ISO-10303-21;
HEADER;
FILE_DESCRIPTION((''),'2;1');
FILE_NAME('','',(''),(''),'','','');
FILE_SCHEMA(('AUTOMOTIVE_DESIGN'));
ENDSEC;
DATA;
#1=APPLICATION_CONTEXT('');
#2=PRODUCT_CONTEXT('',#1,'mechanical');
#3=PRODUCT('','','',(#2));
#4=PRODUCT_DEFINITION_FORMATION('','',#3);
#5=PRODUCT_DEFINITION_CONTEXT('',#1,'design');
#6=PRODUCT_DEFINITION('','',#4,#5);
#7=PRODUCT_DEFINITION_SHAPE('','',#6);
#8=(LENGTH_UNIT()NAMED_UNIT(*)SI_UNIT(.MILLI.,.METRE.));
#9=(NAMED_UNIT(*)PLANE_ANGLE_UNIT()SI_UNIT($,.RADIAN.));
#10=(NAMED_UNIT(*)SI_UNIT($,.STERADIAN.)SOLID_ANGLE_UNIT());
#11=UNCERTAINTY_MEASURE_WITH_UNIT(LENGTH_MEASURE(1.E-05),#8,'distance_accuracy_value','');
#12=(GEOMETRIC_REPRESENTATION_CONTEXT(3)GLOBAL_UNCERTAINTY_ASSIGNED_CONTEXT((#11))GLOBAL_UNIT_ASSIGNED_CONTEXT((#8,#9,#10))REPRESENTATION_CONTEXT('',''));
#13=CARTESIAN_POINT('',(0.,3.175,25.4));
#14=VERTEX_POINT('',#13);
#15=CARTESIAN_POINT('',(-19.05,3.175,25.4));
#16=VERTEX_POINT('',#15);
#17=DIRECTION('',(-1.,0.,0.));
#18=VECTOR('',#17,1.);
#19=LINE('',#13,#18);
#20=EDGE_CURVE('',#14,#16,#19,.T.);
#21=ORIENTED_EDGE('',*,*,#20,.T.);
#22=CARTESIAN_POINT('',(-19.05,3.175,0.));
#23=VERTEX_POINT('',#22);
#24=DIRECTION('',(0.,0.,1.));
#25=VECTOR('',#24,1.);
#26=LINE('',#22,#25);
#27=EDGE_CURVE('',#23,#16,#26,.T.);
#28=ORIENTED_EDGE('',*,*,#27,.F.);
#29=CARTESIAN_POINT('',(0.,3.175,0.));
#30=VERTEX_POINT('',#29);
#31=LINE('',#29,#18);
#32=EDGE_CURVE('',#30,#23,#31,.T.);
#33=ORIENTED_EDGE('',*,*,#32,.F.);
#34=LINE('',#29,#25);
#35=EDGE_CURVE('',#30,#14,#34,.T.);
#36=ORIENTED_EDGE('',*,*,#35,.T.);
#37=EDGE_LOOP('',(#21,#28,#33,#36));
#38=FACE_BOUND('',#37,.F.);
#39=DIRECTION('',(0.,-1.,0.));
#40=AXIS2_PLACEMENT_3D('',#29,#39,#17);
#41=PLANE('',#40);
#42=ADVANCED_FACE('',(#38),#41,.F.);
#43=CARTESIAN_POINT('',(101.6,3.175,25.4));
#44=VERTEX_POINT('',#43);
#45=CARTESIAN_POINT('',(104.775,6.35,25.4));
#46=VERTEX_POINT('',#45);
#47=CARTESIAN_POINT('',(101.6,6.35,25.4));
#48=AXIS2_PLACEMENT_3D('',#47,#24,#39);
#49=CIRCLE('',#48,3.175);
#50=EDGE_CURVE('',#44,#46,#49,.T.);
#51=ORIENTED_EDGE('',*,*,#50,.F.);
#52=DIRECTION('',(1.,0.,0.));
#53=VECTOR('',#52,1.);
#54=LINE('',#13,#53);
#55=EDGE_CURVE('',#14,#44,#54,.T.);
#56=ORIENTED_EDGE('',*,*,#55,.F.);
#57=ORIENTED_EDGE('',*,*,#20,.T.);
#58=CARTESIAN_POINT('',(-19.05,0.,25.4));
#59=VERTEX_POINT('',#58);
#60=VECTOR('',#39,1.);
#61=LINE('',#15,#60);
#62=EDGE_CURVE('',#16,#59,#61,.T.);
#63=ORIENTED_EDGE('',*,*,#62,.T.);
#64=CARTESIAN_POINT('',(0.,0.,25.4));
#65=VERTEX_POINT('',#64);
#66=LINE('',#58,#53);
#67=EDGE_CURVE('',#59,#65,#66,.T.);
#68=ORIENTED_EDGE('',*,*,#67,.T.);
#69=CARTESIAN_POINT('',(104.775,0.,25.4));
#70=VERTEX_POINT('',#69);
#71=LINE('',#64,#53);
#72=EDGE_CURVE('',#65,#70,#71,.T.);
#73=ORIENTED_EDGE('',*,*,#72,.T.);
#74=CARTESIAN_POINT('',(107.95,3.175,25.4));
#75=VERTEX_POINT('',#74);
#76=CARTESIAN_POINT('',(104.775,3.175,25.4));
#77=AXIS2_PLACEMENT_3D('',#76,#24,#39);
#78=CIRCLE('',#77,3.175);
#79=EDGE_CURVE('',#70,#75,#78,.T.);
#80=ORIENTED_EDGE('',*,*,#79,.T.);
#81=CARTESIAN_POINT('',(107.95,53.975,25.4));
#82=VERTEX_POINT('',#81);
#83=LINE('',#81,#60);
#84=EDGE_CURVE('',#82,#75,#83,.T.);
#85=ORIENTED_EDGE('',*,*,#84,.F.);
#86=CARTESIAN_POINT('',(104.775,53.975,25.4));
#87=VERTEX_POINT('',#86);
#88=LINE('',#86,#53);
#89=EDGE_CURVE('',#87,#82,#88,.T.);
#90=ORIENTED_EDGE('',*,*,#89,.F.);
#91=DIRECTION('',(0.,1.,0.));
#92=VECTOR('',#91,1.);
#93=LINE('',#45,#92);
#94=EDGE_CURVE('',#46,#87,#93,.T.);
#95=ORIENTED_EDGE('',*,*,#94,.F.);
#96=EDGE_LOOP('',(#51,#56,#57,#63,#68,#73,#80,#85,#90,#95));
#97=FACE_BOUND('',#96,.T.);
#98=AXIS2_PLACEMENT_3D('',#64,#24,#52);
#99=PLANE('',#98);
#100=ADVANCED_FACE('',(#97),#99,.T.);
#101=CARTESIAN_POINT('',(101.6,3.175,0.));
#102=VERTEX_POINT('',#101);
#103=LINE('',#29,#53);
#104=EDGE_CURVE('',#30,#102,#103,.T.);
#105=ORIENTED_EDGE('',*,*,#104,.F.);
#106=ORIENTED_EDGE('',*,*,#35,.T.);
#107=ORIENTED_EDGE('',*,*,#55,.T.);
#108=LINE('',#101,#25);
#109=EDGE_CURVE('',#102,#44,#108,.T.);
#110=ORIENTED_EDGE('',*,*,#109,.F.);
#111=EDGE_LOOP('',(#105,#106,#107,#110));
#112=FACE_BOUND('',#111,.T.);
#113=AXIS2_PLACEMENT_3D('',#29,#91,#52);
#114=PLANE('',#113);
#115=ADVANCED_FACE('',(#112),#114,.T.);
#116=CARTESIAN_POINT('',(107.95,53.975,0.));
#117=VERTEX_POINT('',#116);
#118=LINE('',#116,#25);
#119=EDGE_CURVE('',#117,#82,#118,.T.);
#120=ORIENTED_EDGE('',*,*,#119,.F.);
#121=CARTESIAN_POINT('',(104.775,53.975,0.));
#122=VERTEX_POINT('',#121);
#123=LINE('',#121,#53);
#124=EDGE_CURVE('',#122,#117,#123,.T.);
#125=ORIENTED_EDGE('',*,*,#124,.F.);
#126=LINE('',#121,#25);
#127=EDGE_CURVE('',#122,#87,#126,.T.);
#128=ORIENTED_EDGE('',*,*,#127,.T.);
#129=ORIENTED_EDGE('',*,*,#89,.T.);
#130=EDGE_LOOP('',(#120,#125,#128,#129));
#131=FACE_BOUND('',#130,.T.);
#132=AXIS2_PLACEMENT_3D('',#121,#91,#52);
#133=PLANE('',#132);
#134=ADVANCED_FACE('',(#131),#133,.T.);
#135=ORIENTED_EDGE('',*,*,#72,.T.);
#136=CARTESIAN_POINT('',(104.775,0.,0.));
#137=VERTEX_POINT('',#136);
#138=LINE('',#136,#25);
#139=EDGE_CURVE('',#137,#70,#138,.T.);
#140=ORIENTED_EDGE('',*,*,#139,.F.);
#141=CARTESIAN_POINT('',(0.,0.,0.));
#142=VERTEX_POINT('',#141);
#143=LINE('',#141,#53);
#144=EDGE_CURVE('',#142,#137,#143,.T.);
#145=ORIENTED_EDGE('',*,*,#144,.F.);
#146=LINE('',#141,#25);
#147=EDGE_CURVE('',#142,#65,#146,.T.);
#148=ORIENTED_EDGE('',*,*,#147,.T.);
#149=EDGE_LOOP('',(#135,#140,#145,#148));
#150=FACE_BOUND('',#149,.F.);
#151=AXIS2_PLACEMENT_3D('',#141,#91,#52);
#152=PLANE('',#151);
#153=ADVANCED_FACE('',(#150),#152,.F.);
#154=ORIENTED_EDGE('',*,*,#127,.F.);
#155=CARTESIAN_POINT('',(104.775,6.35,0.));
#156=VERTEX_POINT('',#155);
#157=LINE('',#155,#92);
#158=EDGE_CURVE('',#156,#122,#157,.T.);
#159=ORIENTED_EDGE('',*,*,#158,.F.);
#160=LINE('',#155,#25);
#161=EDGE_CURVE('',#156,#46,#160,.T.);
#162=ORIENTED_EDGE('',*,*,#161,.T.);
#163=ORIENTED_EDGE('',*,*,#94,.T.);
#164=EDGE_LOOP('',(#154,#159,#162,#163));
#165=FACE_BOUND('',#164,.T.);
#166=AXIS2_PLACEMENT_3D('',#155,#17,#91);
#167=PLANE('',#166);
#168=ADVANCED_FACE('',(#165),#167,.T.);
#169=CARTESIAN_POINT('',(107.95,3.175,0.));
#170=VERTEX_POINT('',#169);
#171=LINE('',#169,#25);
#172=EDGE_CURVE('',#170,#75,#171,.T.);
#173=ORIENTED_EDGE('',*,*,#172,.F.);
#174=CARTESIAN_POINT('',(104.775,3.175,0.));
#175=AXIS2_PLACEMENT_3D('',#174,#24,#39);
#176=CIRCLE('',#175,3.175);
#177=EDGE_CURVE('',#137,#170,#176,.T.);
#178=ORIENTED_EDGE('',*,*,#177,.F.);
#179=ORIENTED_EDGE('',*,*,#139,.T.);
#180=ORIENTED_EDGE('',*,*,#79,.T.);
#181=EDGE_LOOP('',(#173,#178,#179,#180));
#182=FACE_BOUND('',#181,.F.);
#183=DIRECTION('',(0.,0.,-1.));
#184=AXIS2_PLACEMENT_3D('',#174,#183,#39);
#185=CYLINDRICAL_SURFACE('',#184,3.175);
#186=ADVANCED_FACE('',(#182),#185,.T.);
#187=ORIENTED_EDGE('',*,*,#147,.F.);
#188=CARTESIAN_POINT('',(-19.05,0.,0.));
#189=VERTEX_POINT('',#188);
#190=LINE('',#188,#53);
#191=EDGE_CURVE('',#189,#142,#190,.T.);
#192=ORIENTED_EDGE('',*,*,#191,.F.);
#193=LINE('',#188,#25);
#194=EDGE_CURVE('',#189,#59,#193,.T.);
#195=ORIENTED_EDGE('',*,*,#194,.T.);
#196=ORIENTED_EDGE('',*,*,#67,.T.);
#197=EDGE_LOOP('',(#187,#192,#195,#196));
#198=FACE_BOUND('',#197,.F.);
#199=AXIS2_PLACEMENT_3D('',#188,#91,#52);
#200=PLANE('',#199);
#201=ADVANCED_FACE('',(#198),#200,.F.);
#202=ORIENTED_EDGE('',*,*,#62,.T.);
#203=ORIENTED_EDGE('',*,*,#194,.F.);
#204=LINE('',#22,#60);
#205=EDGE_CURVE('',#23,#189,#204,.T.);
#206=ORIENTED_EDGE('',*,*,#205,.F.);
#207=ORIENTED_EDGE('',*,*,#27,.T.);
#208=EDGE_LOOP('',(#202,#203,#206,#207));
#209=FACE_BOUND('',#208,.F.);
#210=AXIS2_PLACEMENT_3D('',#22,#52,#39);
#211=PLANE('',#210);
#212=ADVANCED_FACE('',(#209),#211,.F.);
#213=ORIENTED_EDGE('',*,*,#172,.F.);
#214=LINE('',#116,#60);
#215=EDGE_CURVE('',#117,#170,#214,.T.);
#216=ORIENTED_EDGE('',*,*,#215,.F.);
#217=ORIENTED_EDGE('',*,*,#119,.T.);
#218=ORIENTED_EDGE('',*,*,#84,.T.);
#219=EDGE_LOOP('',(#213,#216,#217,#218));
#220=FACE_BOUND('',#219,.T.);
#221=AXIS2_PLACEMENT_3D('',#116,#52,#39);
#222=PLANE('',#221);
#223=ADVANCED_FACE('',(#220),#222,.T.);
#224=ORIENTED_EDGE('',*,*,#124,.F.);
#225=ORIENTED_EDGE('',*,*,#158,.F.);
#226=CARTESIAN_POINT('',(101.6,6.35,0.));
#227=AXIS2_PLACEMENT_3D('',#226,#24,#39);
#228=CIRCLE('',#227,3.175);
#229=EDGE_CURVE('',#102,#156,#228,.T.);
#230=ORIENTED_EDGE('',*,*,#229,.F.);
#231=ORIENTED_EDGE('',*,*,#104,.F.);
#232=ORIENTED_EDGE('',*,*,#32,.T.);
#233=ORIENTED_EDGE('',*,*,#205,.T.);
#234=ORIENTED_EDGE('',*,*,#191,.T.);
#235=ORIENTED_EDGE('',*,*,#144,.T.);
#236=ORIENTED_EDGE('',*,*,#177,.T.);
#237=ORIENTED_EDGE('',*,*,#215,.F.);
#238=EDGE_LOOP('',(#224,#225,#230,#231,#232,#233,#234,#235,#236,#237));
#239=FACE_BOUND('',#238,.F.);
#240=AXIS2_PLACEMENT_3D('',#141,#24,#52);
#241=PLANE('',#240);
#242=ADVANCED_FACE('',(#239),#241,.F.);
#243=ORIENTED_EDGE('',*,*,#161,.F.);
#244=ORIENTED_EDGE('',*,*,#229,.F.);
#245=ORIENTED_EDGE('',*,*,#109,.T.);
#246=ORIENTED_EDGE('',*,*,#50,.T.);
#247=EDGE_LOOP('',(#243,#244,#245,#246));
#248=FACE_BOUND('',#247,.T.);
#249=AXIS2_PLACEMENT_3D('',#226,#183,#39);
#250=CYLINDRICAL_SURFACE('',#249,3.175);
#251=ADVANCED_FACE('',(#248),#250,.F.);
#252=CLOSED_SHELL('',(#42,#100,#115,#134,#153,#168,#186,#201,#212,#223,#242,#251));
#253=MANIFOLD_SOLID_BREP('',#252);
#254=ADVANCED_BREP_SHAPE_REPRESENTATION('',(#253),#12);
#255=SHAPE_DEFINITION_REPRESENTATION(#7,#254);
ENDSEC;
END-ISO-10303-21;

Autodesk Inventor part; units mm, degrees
ref_plane "YZ Plane" through (0, 0, 0) normal (1, 0, 0) x (0, 1, 0)
ref_plane "XZ Plane" through (0, 0, 0) normal (0, 1, 0) x (-1, 0, 0)
ref_plane "XY Plane" through (0, 0, 0) normal (0, 0, 1) x (1, 0, 0)
sketch "Sketch1" plane through (0, 0, 0) normal (0, 0, 1) x (1, 0, 0)
  line L0 (0, 0) -> (104.775, 0)
  line L1 (0, 3.175) -> (101.6, 3.175)
  line L2 (104.775, 6.35) -> (104.775, 53.975)
  line L3 (104.775, 53.975) -> (107.95, 53.975)
  line L4 (107.95, 53.975) -> (107.95, 3.175)
  line L5 (104.775, 0) -> (104.775, 0)
  arc A0 (101.6, 3.175) -> (104.775, 6.35) centre (101.6, 6.35) ccw
  arc A1 (104.775, 0) -> (107.95, 3.175) centre (104.775, 3.175) ccw
  line L6 (0, 3.175) -> (-19.05, 3.175)
  line L7 (-19.05, 3.175) -> (-19.05, 0)
  line L8 (-19.05, 0) -> (0, 0)
  point P0 (104.775, 3.175)
  dimension "d0" = 3.175
  dimension "d2" = 50.8
  dimension "d3" = 90
  dimension "d4" = 3.175
  dimension "d5" = 3.175
  dimension "d8" = 19.05
extrude "Extrusion2" add sketch "Sketch1" along normal blind 25.4
properties part number "rollerbracketer"
